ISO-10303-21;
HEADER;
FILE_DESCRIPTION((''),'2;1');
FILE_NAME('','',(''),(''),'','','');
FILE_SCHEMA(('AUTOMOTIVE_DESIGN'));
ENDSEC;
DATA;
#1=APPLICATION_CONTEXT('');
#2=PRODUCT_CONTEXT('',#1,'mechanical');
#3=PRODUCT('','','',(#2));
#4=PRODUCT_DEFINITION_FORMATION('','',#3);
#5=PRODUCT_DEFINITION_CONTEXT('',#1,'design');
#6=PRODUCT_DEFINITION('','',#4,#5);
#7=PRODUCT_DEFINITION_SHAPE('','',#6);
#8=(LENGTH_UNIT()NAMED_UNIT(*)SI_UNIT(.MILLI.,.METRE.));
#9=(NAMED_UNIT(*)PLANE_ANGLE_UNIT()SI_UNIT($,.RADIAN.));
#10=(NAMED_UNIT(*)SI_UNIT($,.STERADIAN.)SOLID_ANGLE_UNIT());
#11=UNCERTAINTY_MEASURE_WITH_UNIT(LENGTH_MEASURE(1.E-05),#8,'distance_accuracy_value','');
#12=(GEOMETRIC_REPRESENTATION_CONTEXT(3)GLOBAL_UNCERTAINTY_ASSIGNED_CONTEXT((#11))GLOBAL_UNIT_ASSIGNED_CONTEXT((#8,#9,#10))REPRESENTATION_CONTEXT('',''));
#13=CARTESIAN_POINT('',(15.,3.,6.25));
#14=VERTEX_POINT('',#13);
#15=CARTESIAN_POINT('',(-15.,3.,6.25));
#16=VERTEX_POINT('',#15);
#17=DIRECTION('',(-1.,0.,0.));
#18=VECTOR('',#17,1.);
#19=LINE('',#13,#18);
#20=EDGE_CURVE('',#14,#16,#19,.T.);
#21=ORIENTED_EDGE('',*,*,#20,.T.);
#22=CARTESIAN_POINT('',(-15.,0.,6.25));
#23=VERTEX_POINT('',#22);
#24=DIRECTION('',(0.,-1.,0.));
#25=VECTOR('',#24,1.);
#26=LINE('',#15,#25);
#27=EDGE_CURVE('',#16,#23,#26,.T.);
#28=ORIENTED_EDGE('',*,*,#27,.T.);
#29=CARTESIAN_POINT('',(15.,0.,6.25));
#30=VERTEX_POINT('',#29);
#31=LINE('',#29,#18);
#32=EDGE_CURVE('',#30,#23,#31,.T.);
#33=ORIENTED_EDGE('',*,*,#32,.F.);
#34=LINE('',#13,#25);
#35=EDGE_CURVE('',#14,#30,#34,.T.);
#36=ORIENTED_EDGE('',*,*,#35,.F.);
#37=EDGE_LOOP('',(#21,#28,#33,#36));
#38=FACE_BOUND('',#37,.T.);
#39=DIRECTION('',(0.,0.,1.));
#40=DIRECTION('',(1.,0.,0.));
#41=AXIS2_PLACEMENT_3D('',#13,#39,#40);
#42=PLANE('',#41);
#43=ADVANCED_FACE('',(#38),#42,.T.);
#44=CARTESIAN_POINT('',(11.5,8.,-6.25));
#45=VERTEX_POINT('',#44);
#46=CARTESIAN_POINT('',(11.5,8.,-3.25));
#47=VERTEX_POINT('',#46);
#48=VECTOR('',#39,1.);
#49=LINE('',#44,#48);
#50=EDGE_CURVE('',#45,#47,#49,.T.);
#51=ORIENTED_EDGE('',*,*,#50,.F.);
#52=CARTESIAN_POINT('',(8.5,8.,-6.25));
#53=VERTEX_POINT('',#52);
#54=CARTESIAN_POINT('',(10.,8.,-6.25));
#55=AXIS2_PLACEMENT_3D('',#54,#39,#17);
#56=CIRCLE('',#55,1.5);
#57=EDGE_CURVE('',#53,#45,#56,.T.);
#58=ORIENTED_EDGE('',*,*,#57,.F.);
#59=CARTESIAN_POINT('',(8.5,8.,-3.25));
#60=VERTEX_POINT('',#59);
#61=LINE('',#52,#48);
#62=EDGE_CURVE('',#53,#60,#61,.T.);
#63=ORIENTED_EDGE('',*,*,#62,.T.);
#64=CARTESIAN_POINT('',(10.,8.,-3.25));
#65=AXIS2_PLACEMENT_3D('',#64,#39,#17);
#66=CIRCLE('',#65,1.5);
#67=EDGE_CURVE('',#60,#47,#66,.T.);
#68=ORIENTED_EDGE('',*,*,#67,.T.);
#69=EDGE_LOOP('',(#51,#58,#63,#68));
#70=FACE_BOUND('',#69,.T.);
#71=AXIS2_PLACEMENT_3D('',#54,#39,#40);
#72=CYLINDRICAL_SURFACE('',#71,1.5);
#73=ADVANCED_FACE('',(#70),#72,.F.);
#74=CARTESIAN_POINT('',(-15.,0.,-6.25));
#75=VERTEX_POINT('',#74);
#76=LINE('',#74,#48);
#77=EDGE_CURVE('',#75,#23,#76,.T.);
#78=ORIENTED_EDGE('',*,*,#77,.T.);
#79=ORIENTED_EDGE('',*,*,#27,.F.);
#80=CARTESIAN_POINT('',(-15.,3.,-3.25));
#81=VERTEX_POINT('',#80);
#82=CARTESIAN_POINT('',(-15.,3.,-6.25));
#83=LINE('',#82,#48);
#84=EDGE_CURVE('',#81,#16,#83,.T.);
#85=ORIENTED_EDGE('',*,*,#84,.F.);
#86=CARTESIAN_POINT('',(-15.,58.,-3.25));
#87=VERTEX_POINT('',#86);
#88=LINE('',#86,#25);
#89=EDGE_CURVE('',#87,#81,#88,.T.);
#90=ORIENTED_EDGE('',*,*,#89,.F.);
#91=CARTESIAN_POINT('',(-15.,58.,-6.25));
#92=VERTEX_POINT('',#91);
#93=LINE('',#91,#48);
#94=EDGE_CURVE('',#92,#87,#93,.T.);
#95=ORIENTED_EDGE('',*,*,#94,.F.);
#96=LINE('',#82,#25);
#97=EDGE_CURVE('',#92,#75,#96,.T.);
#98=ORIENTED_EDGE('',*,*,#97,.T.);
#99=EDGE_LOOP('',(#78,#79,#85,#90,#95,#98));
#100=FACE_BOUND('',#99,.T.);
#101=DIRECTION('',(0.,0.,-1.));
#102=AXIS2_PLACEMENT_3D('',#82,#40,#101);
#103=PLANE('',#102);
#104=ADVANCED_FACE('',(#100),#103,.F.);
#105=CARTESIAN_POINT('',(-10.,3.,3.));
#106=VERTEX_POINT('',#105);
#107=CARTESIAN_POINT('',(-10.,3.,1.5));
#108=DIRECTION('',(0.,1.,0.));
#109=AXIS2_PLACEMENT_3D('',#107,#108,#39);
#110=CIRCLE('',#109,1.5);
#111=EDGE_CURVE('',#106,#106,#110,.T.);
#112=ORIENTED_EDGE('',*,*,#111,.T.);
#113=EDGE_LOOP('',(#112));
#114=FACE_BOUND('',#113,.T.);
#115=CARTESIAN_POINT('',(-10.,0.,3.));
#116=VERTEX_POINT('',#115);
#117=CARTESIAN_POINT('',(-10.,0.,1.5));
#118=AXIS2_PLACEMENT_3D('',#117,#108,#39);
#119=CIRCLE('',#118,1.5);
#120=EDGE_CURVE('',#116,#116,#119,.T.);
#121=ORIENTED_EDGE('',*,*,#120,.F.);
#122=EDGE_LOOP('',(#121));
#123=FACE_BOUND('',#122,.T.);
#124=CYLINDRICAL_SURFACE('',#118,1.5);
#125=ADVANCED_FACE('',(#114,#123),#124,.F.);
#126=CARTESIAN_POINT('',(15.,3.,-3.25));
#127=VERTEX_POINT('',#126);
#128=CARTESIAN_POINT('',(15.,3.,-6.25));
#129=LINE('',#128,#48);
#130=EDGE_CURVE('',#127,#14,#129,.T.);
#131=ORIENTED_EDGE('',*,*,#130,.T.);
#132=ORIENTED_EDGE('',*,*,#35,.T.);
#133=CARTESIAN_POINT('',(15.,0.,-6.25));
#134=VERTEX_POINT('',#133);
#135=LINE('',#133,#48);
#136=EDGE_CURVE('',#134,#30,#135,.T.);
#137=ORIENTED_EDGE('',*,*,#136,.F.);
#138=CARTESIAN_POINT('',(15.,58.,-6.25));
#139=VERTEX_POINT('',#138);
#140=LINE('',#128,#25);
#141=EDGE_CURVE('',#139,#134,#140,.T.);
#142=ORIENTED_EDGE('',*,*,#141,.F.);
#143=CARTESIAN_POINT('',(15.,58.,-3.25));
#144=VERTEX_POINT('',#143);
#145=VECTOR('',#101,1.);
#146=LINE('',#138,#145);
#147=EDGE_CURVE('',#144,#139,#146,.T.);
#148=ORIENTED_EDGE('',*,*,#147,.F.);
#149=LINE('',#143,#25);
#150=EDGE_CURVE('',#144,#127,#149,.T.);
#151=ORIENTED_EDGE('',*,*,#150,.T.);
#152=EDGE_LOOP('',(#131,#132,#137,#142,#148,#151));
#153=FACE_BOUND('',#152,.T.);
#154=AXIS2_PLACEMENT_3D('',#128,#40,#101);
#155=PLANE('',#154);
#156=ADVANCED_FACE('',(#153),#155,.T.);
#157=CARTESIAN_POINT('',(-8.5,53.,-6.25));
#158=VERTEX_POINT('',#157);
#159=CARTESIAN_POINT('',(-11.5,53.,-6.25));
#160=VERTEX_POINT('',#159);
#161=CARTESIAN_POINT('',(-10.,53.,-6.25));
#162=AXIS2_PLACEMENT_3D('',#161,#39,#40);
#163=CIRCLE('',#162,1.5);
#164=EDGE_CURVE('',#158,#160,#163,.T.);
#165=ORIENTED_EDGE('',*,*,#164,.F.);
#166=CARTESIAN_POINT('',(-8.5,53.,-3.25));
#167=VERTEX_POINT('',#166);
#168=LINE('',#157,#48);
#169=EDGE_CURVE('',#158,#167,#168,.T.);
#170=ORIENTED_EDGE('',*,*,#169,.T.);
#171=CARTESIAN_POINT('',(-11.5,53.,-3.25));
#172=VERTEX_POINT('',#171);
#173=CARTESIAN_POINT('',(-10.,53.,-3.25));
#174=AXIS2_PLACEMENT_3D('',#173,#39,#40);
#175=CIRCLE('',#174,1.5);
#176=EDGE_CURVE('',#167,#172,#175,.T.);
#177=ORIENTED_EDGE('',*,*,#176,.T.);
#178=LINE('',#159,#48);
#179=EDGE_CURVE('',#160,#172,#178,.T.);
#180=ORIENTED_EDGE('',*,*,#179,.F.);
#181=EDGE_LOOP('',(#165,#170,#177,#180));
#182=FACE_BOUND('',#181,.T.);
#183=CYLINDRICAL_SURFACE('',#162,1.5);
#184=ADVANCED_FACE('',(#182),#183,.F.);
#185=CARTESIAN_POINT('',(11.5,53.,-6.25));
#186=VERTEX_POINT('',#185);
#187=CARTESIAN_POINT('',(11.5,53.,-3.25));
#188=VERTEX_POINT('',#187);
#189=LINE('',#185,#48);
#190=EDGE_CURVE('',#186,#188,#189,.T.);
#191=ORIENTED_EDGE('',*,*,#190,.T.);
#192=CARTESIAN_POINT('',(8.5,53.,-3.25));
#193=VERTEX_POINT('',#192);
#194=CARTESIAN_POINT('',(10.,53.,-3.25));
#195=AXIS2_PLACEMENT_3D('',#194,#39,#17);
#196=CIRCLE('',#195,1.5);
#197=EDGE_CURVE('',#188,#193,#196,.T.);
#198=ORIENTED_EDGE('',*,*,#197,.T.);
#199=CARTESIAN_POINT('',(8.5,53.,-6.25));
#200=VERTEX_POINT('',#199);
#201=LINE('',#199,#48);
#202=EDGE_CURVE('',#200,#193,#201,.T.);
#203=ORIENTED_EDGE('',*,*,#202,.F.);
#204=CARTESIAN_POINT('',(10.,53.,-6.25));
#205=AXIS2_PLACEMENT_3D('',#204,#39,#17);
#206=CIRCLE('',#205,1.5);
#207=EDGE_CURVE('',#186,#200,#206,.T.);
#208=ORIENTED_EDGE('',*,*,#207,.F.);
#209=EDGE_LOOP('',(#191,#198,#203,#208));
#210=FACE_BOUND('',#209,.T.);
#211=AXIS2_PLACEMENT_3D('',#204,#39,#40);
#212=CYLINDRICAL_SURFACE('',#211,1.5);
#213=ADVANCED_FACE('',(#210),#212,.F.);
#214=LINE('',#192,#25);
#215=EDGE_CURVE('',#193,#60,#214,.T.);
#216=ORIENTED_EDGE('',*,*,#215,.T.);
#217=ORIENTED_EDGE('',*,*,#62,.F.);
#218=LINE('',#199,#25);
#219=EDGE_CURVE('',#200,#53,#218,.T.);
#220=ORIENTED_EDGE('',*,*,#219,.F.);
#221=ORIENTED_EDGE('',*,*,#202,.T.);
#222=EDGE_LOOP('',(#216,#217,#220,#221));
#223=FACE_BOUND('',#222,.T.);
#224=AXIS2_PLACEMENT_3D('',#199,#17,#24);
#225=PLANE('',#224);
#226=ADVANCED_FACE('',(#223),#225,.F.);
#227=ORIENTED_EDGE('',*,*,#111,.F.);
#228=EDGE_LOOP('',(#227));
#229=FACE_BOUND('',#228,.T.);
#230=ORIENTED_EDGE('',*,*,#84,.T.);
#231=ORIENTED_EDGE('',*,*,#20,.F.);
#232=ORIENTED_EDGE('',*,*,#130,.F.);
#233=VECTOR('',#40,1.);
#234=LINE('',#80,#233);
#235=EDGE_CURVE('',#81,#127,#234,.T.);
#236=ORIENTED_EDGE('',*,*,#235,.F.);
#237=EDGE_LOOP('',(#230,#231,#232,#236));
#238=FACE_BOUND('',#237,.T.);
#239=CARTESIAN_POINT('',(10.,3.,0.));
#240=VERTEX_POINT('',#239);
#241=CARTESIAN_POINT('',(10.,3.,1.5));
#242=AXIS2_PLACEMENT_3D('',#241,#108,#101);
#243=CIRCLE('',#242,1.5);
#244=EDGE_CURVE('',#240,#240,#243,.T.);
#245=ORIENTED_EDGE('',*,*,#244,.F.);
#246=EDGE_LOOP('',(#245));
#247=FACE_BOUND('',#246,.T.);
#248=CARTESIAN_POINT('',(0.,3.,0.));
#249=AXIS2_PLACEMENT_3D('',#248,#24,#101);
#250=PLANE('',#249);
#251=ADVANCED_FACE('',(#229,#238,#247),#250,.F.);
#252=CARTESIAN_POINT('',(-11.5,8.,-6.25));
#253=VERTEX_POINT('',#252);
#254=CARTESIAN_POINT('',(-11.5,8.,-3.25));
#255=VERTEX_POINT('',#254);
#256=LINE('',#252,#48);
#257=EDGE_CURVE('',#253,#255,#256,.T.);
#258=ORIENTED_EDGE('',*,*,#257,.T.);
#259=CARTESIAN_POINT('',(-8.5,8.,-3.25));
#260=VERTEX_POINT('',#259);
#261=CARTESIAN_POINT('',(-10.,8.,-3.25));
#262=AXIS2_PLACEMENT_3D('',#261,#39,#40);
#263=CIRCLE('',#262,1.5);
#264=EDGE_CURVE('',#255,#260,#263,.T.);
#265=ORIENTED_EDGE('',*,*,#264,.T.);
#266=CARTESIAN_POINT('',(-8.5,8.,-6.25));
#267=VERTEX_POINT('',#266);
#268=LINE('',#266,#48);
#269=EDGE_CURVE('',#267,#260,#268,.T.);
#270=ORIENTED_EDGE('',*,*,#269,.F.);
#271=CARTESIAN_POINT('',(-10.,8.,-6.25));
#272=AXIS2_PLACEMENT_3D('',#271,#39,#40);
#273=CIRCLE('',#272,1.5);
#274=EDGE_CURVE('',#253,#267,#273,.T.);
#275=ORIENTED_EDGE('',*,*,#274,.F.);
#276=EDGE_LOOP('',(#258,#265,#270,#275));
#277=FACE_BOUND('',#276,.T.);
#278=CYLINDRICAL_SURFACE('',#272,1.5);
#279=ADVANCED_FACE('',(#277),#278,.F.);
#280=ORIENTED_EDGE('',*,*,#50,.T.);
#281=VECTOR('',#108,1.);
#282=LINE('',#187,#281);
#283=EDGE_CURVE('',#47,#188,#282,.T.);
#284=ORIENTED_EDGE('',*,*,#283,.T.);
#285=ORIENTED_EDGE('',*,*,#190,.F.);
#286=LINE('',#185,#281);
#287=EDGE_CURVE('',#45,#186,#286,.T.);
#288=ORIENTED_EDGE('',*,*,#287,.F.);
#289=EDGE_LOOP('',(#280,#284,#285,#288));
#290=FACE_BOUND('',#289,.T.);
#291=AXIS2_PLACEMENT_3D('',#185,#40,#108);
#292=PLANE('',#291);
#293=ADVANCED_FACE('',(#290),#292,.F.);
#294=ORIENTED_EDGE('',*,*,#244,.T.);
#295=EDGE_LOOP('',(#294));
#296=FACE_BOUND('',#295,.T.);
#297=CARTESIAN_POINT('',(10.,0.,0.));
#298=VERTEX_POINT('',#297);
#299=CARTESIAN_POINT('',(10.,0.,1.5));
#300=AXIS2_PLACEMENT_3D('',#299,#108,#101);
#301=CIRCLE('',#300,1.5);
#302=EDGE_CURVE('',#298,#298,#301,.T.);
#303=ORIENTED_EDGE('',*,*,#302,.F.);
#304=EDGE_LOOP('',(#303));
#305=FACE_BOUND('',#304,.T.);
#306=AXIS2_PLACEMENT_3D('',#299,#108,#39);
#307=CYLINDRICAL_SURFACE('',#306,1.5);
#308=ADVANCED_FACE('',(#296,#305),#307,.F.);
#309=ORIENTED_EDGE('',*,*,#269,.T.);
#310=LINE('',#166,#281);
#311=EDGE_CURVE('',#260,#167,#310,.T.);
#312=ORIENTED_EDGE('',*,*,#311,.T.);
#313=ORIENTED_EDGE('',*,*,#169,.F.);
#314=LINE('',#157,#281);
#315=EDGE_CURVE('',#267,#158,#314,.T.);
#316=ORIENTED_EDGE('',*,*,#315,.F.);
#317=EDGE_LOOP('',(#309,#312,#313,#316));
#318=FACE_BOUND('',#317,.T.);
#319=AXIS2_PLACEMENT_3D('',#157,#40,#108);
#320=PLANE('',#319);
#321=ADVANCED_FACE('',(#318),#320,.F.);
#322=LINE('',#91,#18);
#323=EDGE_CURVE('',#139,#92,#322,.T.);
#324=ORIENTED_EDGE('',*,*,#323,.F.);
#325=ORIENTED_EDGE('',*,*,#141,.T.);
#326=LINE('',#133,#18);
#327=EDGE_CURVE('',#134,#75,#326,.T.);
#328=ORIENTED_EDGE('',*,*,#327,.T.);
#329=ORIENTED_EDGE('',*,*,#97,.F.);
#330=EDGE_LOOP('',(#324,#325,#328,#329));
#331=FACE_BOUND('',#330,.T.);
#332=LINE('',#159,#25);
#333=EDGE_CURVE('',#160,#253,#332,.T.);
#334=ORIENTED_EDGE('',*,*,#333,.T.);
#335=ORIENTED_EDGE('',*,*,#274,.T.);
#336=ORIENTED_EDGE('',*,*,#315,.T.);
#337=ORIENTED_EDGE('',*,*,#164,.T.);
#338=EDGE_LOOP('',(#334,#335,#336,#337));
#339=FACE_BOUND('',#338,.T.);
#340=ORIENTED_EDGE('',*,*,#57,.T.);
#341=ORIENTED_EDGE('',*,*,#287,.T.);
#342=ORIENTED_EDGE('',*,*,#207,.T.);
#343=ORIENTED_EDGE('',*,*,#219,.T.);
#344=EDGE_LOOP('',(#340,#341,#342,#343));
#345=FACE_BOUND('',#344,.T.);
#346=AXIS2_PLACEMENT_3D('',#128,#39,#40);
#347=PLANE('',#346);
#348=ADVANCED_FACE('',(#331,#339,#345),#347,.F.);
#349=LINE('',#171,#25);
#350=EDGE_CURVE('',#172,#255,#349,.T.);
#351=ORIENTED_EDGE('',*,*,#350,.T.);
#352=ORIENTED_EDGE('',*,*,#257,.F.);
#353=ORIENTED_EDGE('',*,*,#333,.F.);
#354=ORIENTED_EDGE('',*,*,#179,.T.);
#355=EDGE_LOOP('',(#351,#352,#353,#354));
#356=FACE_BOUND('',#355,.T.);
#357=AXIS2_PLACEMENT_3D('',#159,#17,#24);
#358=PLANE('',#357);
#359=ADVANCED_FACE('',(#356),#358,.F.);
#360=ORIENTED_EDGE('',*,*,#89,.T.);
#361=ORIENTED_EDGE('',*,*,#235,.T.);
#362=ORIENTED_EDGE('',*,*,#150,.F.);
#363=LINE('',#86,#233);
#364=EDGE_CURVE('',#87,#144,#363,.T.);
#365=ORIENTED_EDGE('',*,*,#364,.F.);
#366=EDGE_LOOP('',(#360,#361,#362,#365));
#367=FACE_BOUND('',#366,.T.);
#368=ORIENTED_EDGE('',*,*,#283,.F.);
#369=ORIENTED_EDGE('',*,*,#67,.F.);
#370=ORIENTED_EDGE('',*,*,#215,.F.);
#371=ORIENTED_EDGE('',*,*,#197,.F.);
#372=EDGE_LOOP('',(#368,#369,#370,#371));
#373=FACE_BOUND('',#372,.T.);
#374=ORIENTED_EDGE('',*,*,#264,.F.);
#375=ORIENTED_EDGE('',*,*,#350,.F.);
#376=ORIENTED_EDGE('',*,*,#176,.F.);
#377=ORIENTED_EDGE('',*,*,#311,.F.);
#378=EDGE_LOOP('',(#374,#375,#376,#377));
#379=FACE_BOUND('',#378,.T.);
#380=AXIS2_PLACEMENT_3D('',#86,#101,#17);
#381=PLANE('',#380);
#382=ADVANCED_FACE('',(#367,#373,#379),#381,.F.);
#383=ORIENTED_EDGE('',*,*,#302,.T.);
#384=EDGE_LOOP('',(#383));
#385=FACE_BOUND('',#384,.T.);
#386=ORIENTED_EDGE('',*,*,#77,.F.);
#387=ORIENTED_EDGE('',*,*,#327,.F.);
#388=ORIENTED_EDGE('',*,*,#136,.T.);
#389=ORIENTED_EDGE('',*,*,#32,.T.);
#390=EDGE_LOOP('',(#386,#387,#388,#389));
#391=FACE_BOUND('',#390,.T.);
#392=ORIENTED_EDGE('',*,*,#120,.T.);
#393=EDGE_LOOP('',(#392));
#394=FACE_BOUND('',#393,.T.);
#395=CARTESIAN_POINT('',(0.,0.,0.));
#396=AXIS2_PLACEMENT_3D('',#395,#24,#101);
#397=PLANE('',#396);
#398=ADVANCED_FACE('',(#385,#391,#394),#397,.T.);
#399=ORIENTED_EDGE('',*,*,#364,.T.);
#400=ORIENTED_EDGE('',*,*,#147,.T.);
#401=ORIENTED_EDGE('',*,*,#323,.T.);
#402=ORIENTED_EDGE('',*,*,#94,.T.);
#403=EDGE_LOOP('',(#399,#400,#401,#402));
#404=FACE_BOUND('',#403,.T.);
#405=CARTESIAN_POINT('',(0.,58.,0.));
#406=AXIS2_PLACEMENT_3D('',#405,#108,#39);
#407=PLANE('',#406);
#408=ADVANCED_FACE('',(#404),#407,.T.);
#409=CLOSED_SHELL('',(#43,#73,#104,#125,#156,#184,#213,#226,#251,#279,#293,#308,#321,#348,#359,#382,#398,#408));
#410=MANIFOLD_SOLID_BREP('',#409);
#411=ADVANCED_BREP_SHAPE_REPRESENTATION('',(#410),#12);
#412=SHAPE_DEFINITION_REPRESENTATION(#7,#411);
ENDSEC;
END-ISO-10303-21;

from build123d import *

# Parameters (mm, degrees)
SKETCH1_W           = 30
SKETCH1_H           = 12.5
BOSS_EXTRUDE1_DEPTH = 3
SKETCH2_W           = 30
SKETCH2_H           = 3
BOSS_EXTRUDE2_DEPTH = 55
CUT_EXTRUDE1_DEPTH  = 4
SKETCH4_R           = 1.5
CUT_EXTRUDE2_DEPTH  = 4


with BuildPart() as part:
    # Sketch1 → Boss-Extrude1 (new body)
    with BuildSketch(Plane(origin=(0, 0, 0), x_dir=(1, 0, 0), z_dir=(0, 1, 0))):
        Rectangle(SKETCH1_W, SKETCH1_H)
    extrude(amount=BOSS_EXTRUDE1_DEPTH)

    # Sketch2 → Boss-Extrude2 (add)
    with BuildSketch(Plane(origin=(0, 3, 0), x_dir=(1, 0, 0), z_dir=(0, 1, 0))):
        with Locations((0, 4.75)):
            Rectangle(SKETCH2_W, SKETCH2_H)
    extrude(amount=BOSS_EXTRUDE2_DEPTH)

    # Sketch3 → Cut-Extrude1 (cut, through all)
    with BuildSketch(Plane.XY.offset(-3.25)):
        with BuildLine():
            Line((-8.5, 53), (-8.5, 8))
            ThreePointArc((-8.5, 8), (-10, 6.5), (-11.5, 8))
            Line((-11.5, 8), (-11.5, 53))
            ThreePointArc((-11.5, 53), (-10, 54.5), (-8.5, 53))
        make_face()
        with BuildLine():
            Line((8.5, 53), (8.5, 8))
            ThreePointArc((8.5, 8), (10, 6.5), (11.5, 8))
            Line((11.5, 8), (11.5, 53))
            ThreePointArc((11.5, 53), (10, 54.5), (8.5, 53))
        make_face()
    extrude(amount=-CUT_EXTRUDE1_DEPTH, mode=Mode.SUBTRACT)

    # Sketch4 → Cut-Extrude2 (cut, through all)
    with BuildSketch(Plane(origin=(0, 3, 0), x_dir=(1, 0, 0), z_dir=(0, 1, 0))):
        with Locations((-10, -1.5)):
            Circle(SKETCH4_R)
        with Locations((10, -1.5)):
            Circle(SKETCH4_R)
    extrude(amount=-CUT_EXTRUDE2_DEPTH, mode=Mode.SUBTRACT)


solid = part.part
